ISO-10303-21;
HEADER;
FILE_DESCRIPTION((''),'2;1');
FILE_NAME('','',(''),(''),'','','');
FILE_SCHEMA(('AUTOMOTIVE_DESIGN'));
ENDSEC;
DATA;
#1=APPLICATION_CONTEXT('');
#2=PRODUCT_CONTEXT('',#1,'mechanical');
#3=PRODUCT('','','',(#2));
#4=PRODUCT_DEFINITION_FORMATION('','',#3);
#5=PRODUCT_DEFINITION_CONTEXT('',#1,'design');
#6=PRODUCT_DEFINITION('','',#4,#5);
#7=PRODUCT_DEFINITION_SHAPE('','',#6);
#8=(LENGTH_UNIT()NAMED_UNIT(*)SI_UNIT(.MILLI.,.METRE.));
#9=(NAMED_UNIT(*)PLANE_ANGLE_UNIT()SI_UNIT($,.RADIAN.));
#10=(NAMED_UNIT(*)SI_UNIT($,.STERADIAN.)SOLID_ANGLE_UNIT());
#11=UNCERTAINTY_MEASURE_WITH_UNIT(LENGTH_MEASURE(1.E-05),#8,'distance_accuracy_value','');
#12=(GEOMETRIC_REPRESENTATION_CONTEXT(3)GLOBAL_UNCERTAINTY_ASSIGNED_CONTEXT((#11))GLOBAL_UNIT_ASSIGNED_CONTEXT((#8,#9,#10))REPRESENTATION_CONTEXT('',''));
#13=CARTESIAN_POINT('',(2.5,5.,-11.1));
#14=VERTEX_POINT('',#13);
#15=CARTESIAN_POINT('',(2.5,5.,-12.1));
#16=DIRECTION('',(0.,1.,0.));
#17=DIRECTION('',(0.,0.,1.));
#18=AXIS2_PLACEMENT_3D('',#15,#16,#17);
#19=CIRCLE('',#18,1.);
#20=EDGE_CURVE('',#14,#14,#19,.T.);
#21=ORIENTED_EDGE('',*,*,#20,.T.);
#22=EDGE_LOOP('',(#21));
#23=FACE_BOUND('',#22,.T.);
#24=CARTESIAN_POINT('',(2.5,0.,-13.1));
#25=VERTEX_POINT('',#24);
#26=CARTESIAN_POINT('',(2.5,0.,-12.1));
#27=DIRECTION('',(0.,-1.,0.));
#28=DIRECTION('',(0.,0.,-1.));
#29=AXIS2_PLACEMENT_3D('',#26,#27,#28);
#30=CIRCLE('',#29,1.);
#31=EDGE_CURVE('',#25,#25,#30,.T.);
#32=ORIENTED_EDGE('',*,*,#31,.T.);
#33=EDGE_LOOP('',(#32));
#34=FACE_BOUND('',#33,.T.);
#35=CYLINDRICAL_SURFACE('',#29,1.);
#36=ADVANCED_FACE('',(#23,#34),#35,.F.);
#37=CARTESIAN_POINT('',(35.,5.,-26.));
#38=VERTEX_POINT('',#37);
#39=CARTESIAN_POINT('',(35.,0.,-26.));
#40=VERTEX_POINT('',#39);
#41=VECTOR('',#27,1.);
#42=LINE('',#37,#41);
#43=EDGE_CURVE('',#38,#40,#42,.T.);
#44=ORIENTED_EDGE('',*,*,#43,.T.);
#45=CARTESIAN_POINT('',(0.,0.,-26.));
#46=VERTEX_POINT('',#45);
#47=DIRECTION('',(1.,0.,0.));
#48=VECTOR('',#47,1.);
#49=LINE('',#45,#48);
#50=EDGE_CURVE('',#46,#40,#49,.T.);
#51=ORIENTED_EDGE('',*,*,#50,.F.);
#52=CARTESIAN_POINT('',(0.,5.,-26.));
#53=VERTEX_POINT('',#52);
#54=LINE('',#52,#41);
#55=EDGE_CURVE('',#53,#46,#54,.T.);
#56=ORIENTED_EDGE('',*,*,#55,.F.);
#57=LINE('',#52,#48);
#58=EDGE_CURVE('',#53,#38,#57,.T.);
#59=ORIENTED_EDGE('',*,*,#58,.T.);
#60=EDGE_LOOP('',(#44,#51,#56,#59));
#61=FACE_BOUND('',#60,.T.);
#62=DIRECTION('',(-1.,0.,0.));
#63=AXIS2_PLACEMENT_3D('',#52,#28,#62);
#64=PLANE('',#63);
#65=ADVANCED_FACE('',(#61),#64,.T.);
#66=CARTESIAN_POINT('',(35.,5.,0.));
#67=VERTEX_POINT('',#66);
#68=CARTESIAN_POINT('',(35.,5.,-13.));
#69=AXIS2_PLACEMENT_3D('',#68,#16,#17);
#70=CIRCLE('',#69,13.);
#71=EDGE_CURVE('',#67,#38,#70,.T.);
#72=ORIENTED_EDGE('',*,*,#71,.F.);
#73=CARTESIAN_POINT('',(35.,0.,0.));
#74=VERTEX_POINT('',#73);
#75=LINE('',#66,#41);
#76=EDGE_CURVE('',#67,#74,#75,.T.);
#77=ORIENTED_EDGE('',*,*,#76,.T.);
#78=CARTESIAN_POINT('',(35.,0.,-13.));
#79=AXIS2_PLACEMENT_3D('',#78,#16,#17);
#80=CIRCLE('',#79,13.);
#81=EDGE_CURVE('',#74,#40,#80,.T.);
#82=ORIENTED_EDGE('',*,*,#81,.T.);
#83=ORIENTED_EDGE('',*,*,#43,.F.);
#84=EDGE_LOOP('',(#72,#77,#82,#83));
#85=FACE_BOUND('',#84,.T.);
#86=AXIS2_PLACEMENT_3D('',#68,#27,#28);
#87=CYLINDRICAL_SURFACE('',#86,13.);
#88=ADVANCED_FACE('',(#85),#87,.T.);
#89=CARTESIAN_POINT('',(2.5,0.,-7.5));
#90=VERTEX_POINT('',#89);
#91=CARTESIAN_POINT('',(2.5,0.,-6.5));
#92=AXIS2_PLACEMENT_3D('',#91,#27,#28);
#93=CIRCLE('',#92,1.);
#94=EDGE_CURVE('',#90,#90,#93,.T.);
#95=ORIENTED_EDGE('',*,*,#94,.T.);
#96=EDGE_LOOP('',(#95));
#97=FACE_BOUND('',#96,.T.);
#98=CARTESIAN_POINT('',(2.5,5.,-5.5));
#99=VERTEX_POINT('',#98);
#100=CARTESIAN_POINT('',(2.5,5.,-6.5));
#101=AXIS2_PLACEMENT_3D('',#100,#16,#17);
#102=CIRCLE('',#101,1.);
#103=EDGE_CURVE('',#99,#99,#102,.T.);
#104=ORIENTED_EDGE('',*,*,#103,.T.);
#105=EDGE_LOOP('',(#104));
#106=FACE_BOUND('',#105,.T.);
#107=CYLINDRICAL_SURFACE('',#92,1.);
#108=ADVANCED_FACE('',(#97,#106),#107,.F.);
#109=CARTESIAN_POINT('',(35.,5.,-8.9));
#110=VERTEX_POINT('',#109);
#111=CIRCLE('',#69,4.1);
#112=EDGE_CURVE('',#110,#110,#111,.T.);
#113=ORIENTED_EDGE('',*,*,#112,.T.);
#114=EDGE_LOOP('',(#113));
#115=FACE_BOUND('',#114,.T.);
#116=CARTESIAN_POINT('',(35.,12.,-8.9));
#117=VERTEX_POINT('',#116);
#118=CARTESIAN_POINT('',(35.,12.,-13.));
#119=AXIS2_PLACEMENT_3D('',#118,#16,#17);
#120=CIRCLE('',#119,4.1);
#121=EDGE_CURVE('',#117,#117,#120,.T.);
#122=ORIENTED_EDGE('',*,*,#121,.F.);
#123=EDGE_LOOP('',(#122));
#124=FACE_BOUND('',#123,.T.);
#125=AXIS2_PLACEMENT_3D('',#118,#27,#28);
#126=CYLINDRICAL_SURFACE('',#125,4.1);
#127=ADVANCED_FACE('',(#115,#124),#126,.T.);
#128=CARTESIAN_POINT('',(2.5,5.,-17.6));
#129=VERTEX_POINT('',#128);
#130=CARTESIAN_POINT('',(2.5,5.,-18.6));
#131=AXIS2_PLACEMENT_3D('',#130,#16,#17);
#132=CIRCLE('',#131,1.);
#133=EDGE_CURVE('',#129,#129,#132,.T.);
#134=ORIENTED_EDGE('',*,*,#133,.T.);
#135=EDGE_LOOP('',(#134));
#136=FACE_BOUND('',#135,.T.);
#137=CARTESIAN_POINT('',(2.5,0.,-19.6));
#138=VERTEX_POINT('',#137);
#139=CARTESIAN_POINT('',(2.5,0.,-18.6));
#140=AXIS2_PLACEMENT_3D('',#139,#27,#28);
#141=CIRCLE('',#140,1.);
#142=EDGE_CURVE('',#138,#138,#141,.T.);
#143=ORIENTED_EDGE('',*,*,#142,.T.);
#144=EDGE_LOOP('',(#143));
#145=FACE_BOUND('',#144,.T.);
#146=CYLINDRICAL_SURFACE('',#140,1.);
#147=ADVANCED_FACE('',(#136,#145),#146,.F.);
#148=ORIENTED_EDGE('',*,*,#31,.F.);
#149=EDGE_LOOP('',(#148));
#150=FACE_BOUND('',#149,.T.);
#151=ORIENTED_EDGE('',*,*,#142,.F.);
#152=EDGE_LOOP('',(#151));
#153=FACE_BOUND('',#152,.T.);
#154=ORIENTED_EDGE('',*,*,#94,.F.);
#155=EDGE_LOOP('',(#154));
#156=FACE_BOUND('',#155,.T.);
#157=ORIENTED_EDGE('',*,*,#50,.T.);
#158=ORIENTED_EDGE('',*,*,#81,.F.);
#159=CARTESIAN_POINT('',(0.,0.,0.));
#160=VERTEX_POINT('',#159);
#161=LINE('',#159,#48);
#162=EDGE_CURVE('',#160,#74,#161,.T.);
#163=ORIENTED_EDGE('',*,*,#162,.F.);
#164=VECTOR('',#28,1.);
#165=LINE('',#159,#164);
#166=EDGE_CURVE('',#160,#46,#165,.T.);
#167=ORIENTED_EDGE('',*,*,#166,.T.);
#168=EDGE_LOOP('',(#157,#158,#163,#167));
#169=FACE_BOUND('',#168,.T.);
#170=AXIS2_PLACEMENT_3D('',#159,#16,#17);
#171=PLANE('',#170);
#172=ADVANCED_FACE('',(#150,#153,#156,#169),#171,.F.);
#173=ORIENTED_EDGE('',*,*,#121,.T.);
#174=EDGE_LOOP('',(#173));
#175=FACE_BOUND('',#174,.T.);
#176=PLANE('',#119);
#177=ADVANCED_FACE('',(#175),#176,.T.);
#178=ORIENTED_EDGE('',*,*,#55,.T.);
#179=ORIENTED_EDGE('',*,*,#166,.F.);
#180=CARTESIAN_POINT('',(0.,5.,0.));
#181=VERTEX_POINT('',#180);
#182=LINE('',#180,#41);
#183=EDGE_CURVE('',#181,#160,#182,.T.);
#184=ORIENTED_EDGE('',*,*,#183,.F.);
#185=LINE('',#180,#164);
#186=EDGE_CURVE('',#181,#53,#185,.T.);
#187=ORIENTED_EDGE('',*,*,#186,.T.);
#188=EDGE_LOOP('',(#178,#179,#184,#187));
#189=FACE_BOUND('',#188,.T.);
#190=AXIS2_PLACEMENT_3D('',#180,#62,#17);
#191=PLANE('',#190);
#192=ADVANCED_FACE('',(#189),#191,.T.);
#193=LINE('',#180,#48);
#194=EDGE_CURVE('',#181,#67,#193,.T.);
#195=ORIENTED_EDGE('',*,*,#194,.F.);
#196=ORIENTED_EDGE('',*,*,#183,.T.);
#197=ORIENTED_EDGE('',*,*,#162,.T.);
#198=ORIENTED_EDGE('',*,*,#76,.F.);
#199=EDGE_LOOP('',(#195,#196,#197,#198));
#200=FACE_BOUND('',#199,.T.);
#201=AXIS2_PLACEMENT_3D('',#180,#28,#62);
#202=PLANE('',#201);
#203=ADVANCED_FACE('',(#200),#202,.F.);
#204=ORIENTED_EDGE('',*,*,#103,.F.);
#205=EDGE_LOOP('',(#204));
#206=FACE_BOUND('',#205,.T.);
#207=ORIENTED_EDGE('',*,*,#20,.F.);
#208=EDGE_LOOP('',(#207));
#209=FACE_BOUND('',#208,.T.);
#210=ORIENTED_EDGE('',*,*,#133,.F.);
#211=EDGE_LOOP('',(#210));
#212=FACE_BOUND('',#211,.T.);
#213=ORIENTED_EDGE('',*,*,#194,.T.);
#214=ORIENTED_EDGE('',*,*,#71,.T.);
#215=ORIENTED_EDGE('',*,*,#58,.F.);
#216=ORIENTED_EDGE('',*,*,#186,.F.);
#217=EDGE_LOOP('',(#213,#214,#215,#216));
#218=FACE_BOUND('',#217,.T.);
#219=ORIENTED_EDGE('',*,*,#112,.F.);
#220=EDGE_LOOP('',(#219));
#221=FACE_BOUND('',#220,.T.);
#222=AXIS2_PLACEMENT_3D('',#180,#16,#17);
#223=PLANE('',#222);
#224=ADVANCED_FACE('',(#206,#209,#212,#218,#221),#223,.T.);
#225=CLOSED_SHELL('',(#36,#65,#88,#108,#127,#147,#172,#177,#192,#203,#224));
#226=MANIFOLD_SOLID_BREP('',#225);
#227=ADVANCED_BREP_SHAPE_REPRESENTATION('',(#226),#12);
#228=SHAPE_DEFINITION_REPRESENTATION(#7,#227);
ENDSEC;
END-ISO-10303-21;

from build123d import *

# Parameters (mm, degrees)
BOSS_EXTRUDE1_DEPTH       = 5
SKETCH2_R                 = 4.1
BOSS_EXTRUDE2_DEPTH       = 7
F_2_0MM_DOWEL_HOLE2_D     = 2
F_2_0MM_DOWEL_HOLE2_DEPTH = 7
F_2_0MM_DOWEL_HOLE2_TIP   = 0.600860619


with BuildPart() as part:
    # Sketch1 → Boss-Extrude1 (new body)
    with BuildSketch(Plane(origin=(0, 0, 0), x_dir=(1, 0, 0), z_dir=(0, 1, 0))):
        with BuildLine():
            Line((0, 26), (0, 0))
            Line((0, 0), (35, 0))
            ThreePointArc((35, 0), (22, 13), (35, 26))
            Line((35, 26), (0, 26))
        make_face()
        with BuildLine():
            ThreePointArc((35, 26), (22, 13), (35, 0))
            Line((35, 0), (35, 26))
        make_face()
        with BuildLine():
            Line((35, 26), (35, 0))
            ThreePointArc((35, 0), (44.192388155, 3.807611845), (48, 13))
            ThreePointArc((48, 13), (44.192388155, 22.192388155), (35, 26))
        make_face()
    extrude(amount=BOSS_EXTRUDE1_DEPTH)

    # Sketch2 → Boss-Extrude2 (add)
    with BuildSketch(Plane(origin=(0, 5, 0), x_dir=(1, 0, 0), z_dir=(0, 1, 0))):
        with Locations(Location((35, 13, 0), (0, 0, 270))):
            Circle(SKETCH2_R)
    extrude(amount=BOSS_EXTRUDE2_DEPTH)

    # Ø2.0mm Dowel Hole2
    with Locations(Plane.XZ):
        with Locations((2.5, -6.5), (2.5, -12.1), (2.5, -18.6)):
            Hole(F_2_0MM_DOWEL_HOLE2_D / 2, depth=F_2_0MM_DOWEL_HOLE2_DEPTH)
            with Locations((0, 0, -(F_2_0MM_DOWEL_HOLE2_DEPTH + F_2_0MM_DOWEL_HOLE2_TIP / 2))):  # 118° drill point
                Cone(0, F_2_0MM_DOWEL_HOLE2_D / 2, F_2_0MM_DOWEL_HOLE2_TIP, mode=Mode.SUBTRACT)


solid = part.part
